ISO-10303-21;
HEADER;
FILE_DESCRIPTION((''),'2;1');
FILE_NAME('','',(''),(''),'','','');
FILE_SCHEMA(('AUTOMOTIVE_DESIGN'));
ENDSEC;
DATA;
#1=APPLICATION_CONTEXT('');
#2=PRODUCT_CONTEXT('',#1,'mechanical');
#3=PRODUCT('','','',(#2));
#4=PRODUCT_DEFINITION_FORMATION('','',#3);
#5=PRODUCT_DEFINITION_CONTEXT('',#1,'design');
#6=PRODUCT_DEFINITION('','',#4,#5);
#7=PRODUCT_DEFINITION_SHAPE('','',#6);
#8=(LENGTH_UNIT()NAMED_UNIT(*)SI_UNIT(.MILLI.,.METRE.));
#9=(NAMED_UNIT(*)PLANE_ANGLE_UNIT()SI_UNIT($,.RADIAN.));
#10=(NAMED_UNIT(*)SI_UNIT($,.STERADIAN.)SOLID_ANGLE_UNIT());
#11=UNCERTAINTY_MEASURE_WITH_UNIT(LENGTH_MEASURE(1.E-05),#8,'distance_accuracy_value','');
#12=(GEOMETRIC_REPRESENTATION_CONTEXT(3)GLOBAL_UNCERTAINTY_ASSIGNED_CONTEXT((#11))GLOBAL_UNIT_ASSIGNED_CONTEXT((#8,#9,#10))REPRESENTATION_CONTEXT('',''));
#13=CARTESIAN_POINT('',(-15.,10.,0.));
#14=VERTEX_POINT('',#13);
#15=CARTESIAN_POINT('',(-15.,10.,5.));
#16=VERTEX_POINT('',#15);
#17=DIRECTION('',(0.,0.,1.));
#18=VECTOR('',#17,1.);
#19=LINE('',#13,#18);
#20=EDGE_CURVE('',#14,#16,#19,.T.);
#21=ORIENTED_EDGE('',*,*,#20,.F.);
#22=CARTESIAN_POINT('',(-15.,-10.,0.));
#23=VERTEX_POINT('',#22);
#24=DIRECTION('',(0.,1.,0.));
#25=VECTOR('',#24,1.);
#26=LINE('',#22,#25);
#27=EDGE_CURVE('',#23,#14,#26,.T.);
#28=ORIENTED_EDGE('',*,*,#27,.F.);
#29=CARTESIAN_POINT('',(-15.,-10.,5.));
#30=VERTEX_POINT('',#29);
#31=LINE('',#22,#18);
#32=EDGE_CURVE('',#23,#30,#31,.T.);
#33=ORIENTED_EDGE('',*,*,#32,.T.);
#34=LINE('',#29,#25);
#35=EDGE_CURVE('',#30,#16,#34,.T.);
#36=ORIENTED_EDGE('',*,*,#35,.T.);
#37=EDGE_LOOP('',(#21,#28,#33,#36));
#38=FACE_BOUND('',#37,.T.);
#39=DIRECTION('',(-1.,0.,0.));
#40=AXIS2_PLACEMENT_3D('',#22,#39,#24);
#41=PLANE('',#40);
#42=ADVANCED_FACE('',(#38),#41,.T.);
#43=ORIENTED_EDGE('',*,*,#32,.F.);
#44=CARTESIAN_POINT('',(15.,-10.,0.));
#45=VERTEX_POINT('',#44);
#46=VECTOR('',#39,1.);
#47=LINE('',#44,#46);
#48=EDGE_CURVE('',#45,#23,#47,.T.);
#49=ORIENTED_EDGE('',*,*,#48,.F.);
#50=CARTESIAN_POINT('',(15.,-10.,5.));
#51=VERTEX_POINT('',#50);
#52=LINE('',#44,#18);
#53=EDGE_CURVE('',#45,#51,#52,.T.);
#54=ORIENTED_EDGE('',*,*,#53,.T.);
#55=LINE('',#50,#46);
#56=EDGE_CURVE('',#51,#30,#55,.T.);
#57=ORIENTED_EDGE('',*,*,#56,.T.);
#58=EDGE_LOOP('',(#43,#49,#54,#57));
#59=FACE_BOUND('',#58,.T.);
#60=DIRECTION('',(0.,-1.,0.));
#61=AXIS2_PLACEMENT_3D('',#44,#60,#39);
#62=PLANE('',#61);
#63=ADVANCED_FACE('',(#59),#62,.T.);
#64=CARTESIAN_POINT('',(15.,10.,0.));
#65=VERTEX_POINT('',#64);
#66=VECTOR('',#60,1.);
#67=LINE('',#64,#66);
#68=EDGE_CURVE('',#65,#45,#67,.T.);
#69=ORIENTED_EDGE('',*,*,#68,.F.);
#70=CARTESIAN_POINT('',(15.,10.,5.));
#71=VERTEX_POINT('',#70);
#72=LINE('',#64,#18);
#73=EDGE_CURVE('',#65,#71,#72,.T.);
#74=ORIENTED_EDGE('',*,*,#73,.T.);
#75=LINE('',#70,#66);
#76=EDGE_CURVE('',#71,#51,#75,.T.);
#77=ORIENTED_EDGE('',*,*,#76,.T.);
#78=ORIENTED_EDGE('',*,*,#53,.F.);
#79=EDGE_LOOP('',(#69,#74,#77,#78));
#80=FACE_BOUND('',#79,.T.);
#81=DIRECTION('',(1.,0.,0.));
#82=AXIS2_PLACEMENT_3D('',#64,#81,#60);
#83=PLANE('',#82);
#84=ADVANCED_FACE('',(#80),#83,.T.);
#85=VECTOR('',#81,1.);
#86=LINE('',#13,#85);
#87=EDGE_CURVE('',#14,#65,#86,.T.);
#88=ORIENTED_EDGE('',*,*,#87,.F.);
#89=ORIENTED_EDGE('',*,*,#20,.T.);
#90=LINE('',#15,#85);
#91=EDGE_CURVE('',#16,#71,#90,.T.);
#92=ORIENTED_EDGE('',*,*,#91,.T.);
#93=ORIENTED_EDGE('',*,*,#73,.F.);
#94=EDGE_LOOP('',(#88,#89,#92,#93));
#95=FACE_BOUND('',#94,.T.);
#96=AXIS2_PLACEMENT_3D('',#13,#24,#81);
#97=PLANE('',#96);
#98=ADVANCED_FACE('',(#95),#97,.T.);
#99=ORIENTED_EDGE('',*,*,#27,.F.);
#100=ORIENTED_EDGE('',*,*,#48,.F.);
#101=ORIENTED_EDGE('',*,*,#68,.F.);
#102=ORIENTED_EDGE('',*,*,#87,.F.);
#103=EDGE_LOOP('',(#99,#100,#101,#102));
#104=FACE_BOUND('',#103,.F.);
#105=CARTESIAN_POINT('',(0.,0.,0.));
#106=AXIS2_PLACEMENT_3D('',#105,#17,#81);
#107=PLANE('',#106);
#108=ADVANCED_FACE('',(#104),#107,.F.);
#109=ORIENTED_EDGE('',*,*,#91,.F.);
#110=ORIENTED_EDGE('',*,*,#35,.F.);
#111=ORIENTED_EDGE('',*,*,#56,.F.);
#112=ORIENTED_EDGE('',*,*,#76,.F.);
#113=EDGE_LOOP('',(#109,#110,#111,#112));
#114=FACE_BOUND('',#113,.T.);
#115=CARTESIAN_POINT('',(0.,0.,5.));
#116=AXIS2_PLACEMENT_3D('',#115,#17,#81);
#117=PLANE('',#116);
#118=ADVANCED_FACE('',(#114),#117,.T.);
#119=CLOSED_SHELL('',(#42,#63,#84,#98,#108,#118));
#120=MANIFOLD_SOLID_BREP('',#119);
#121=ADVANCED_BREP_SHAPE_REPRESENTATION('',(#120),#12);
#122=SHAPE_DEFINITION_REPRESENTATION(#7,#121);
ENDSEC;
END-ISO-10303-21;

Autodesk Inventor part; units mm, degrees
ref_plane "YZ Plane" through (0, 0, 0) normal (1, 0, 0) x (0, 1, 0)
ref_plane "XZ Plane" through (0, 0, 0) normal (0, 1, 0) x (-1, 0, 0)
ref_plane "XY Plane" through (0, 0, 0) normal (0, 0, 1) x (1, 0, 0)
sketch "スケッチ22" plane through (0, 0, 0) normal (0, 0, 1) x (1, 0, 0)
  line L0 (-15, -10) -> (-15, 10)
  line L1 (-15, 10) -> (15, 10)
  line L2 (15, 10) -> (15, -10)
  line L3 (15, -10) -> (-15, -10)
  point P0 (0, 0)
  point P1 (-15, 0)
  point P2 (0, -10)
  dimension "d144" = 20
  dimension "d145" = 30
extrude "押し出し14" add sketch "スケッチ22" along normal blind 5
sketch "スケッチ23" plane through (0, 0, 5) normal (0, 0, 1) x (1, 0, 0)
  point P0 (0, 0)
  point P1 (10, 0)
  point P2 (-10, 0)
  dimension "d146" = 20
  dimension "d147" = 10
hole "穴9" [suppressed]
equation "\"d147\" = 0.5 * d146"
properties material "A5052"
